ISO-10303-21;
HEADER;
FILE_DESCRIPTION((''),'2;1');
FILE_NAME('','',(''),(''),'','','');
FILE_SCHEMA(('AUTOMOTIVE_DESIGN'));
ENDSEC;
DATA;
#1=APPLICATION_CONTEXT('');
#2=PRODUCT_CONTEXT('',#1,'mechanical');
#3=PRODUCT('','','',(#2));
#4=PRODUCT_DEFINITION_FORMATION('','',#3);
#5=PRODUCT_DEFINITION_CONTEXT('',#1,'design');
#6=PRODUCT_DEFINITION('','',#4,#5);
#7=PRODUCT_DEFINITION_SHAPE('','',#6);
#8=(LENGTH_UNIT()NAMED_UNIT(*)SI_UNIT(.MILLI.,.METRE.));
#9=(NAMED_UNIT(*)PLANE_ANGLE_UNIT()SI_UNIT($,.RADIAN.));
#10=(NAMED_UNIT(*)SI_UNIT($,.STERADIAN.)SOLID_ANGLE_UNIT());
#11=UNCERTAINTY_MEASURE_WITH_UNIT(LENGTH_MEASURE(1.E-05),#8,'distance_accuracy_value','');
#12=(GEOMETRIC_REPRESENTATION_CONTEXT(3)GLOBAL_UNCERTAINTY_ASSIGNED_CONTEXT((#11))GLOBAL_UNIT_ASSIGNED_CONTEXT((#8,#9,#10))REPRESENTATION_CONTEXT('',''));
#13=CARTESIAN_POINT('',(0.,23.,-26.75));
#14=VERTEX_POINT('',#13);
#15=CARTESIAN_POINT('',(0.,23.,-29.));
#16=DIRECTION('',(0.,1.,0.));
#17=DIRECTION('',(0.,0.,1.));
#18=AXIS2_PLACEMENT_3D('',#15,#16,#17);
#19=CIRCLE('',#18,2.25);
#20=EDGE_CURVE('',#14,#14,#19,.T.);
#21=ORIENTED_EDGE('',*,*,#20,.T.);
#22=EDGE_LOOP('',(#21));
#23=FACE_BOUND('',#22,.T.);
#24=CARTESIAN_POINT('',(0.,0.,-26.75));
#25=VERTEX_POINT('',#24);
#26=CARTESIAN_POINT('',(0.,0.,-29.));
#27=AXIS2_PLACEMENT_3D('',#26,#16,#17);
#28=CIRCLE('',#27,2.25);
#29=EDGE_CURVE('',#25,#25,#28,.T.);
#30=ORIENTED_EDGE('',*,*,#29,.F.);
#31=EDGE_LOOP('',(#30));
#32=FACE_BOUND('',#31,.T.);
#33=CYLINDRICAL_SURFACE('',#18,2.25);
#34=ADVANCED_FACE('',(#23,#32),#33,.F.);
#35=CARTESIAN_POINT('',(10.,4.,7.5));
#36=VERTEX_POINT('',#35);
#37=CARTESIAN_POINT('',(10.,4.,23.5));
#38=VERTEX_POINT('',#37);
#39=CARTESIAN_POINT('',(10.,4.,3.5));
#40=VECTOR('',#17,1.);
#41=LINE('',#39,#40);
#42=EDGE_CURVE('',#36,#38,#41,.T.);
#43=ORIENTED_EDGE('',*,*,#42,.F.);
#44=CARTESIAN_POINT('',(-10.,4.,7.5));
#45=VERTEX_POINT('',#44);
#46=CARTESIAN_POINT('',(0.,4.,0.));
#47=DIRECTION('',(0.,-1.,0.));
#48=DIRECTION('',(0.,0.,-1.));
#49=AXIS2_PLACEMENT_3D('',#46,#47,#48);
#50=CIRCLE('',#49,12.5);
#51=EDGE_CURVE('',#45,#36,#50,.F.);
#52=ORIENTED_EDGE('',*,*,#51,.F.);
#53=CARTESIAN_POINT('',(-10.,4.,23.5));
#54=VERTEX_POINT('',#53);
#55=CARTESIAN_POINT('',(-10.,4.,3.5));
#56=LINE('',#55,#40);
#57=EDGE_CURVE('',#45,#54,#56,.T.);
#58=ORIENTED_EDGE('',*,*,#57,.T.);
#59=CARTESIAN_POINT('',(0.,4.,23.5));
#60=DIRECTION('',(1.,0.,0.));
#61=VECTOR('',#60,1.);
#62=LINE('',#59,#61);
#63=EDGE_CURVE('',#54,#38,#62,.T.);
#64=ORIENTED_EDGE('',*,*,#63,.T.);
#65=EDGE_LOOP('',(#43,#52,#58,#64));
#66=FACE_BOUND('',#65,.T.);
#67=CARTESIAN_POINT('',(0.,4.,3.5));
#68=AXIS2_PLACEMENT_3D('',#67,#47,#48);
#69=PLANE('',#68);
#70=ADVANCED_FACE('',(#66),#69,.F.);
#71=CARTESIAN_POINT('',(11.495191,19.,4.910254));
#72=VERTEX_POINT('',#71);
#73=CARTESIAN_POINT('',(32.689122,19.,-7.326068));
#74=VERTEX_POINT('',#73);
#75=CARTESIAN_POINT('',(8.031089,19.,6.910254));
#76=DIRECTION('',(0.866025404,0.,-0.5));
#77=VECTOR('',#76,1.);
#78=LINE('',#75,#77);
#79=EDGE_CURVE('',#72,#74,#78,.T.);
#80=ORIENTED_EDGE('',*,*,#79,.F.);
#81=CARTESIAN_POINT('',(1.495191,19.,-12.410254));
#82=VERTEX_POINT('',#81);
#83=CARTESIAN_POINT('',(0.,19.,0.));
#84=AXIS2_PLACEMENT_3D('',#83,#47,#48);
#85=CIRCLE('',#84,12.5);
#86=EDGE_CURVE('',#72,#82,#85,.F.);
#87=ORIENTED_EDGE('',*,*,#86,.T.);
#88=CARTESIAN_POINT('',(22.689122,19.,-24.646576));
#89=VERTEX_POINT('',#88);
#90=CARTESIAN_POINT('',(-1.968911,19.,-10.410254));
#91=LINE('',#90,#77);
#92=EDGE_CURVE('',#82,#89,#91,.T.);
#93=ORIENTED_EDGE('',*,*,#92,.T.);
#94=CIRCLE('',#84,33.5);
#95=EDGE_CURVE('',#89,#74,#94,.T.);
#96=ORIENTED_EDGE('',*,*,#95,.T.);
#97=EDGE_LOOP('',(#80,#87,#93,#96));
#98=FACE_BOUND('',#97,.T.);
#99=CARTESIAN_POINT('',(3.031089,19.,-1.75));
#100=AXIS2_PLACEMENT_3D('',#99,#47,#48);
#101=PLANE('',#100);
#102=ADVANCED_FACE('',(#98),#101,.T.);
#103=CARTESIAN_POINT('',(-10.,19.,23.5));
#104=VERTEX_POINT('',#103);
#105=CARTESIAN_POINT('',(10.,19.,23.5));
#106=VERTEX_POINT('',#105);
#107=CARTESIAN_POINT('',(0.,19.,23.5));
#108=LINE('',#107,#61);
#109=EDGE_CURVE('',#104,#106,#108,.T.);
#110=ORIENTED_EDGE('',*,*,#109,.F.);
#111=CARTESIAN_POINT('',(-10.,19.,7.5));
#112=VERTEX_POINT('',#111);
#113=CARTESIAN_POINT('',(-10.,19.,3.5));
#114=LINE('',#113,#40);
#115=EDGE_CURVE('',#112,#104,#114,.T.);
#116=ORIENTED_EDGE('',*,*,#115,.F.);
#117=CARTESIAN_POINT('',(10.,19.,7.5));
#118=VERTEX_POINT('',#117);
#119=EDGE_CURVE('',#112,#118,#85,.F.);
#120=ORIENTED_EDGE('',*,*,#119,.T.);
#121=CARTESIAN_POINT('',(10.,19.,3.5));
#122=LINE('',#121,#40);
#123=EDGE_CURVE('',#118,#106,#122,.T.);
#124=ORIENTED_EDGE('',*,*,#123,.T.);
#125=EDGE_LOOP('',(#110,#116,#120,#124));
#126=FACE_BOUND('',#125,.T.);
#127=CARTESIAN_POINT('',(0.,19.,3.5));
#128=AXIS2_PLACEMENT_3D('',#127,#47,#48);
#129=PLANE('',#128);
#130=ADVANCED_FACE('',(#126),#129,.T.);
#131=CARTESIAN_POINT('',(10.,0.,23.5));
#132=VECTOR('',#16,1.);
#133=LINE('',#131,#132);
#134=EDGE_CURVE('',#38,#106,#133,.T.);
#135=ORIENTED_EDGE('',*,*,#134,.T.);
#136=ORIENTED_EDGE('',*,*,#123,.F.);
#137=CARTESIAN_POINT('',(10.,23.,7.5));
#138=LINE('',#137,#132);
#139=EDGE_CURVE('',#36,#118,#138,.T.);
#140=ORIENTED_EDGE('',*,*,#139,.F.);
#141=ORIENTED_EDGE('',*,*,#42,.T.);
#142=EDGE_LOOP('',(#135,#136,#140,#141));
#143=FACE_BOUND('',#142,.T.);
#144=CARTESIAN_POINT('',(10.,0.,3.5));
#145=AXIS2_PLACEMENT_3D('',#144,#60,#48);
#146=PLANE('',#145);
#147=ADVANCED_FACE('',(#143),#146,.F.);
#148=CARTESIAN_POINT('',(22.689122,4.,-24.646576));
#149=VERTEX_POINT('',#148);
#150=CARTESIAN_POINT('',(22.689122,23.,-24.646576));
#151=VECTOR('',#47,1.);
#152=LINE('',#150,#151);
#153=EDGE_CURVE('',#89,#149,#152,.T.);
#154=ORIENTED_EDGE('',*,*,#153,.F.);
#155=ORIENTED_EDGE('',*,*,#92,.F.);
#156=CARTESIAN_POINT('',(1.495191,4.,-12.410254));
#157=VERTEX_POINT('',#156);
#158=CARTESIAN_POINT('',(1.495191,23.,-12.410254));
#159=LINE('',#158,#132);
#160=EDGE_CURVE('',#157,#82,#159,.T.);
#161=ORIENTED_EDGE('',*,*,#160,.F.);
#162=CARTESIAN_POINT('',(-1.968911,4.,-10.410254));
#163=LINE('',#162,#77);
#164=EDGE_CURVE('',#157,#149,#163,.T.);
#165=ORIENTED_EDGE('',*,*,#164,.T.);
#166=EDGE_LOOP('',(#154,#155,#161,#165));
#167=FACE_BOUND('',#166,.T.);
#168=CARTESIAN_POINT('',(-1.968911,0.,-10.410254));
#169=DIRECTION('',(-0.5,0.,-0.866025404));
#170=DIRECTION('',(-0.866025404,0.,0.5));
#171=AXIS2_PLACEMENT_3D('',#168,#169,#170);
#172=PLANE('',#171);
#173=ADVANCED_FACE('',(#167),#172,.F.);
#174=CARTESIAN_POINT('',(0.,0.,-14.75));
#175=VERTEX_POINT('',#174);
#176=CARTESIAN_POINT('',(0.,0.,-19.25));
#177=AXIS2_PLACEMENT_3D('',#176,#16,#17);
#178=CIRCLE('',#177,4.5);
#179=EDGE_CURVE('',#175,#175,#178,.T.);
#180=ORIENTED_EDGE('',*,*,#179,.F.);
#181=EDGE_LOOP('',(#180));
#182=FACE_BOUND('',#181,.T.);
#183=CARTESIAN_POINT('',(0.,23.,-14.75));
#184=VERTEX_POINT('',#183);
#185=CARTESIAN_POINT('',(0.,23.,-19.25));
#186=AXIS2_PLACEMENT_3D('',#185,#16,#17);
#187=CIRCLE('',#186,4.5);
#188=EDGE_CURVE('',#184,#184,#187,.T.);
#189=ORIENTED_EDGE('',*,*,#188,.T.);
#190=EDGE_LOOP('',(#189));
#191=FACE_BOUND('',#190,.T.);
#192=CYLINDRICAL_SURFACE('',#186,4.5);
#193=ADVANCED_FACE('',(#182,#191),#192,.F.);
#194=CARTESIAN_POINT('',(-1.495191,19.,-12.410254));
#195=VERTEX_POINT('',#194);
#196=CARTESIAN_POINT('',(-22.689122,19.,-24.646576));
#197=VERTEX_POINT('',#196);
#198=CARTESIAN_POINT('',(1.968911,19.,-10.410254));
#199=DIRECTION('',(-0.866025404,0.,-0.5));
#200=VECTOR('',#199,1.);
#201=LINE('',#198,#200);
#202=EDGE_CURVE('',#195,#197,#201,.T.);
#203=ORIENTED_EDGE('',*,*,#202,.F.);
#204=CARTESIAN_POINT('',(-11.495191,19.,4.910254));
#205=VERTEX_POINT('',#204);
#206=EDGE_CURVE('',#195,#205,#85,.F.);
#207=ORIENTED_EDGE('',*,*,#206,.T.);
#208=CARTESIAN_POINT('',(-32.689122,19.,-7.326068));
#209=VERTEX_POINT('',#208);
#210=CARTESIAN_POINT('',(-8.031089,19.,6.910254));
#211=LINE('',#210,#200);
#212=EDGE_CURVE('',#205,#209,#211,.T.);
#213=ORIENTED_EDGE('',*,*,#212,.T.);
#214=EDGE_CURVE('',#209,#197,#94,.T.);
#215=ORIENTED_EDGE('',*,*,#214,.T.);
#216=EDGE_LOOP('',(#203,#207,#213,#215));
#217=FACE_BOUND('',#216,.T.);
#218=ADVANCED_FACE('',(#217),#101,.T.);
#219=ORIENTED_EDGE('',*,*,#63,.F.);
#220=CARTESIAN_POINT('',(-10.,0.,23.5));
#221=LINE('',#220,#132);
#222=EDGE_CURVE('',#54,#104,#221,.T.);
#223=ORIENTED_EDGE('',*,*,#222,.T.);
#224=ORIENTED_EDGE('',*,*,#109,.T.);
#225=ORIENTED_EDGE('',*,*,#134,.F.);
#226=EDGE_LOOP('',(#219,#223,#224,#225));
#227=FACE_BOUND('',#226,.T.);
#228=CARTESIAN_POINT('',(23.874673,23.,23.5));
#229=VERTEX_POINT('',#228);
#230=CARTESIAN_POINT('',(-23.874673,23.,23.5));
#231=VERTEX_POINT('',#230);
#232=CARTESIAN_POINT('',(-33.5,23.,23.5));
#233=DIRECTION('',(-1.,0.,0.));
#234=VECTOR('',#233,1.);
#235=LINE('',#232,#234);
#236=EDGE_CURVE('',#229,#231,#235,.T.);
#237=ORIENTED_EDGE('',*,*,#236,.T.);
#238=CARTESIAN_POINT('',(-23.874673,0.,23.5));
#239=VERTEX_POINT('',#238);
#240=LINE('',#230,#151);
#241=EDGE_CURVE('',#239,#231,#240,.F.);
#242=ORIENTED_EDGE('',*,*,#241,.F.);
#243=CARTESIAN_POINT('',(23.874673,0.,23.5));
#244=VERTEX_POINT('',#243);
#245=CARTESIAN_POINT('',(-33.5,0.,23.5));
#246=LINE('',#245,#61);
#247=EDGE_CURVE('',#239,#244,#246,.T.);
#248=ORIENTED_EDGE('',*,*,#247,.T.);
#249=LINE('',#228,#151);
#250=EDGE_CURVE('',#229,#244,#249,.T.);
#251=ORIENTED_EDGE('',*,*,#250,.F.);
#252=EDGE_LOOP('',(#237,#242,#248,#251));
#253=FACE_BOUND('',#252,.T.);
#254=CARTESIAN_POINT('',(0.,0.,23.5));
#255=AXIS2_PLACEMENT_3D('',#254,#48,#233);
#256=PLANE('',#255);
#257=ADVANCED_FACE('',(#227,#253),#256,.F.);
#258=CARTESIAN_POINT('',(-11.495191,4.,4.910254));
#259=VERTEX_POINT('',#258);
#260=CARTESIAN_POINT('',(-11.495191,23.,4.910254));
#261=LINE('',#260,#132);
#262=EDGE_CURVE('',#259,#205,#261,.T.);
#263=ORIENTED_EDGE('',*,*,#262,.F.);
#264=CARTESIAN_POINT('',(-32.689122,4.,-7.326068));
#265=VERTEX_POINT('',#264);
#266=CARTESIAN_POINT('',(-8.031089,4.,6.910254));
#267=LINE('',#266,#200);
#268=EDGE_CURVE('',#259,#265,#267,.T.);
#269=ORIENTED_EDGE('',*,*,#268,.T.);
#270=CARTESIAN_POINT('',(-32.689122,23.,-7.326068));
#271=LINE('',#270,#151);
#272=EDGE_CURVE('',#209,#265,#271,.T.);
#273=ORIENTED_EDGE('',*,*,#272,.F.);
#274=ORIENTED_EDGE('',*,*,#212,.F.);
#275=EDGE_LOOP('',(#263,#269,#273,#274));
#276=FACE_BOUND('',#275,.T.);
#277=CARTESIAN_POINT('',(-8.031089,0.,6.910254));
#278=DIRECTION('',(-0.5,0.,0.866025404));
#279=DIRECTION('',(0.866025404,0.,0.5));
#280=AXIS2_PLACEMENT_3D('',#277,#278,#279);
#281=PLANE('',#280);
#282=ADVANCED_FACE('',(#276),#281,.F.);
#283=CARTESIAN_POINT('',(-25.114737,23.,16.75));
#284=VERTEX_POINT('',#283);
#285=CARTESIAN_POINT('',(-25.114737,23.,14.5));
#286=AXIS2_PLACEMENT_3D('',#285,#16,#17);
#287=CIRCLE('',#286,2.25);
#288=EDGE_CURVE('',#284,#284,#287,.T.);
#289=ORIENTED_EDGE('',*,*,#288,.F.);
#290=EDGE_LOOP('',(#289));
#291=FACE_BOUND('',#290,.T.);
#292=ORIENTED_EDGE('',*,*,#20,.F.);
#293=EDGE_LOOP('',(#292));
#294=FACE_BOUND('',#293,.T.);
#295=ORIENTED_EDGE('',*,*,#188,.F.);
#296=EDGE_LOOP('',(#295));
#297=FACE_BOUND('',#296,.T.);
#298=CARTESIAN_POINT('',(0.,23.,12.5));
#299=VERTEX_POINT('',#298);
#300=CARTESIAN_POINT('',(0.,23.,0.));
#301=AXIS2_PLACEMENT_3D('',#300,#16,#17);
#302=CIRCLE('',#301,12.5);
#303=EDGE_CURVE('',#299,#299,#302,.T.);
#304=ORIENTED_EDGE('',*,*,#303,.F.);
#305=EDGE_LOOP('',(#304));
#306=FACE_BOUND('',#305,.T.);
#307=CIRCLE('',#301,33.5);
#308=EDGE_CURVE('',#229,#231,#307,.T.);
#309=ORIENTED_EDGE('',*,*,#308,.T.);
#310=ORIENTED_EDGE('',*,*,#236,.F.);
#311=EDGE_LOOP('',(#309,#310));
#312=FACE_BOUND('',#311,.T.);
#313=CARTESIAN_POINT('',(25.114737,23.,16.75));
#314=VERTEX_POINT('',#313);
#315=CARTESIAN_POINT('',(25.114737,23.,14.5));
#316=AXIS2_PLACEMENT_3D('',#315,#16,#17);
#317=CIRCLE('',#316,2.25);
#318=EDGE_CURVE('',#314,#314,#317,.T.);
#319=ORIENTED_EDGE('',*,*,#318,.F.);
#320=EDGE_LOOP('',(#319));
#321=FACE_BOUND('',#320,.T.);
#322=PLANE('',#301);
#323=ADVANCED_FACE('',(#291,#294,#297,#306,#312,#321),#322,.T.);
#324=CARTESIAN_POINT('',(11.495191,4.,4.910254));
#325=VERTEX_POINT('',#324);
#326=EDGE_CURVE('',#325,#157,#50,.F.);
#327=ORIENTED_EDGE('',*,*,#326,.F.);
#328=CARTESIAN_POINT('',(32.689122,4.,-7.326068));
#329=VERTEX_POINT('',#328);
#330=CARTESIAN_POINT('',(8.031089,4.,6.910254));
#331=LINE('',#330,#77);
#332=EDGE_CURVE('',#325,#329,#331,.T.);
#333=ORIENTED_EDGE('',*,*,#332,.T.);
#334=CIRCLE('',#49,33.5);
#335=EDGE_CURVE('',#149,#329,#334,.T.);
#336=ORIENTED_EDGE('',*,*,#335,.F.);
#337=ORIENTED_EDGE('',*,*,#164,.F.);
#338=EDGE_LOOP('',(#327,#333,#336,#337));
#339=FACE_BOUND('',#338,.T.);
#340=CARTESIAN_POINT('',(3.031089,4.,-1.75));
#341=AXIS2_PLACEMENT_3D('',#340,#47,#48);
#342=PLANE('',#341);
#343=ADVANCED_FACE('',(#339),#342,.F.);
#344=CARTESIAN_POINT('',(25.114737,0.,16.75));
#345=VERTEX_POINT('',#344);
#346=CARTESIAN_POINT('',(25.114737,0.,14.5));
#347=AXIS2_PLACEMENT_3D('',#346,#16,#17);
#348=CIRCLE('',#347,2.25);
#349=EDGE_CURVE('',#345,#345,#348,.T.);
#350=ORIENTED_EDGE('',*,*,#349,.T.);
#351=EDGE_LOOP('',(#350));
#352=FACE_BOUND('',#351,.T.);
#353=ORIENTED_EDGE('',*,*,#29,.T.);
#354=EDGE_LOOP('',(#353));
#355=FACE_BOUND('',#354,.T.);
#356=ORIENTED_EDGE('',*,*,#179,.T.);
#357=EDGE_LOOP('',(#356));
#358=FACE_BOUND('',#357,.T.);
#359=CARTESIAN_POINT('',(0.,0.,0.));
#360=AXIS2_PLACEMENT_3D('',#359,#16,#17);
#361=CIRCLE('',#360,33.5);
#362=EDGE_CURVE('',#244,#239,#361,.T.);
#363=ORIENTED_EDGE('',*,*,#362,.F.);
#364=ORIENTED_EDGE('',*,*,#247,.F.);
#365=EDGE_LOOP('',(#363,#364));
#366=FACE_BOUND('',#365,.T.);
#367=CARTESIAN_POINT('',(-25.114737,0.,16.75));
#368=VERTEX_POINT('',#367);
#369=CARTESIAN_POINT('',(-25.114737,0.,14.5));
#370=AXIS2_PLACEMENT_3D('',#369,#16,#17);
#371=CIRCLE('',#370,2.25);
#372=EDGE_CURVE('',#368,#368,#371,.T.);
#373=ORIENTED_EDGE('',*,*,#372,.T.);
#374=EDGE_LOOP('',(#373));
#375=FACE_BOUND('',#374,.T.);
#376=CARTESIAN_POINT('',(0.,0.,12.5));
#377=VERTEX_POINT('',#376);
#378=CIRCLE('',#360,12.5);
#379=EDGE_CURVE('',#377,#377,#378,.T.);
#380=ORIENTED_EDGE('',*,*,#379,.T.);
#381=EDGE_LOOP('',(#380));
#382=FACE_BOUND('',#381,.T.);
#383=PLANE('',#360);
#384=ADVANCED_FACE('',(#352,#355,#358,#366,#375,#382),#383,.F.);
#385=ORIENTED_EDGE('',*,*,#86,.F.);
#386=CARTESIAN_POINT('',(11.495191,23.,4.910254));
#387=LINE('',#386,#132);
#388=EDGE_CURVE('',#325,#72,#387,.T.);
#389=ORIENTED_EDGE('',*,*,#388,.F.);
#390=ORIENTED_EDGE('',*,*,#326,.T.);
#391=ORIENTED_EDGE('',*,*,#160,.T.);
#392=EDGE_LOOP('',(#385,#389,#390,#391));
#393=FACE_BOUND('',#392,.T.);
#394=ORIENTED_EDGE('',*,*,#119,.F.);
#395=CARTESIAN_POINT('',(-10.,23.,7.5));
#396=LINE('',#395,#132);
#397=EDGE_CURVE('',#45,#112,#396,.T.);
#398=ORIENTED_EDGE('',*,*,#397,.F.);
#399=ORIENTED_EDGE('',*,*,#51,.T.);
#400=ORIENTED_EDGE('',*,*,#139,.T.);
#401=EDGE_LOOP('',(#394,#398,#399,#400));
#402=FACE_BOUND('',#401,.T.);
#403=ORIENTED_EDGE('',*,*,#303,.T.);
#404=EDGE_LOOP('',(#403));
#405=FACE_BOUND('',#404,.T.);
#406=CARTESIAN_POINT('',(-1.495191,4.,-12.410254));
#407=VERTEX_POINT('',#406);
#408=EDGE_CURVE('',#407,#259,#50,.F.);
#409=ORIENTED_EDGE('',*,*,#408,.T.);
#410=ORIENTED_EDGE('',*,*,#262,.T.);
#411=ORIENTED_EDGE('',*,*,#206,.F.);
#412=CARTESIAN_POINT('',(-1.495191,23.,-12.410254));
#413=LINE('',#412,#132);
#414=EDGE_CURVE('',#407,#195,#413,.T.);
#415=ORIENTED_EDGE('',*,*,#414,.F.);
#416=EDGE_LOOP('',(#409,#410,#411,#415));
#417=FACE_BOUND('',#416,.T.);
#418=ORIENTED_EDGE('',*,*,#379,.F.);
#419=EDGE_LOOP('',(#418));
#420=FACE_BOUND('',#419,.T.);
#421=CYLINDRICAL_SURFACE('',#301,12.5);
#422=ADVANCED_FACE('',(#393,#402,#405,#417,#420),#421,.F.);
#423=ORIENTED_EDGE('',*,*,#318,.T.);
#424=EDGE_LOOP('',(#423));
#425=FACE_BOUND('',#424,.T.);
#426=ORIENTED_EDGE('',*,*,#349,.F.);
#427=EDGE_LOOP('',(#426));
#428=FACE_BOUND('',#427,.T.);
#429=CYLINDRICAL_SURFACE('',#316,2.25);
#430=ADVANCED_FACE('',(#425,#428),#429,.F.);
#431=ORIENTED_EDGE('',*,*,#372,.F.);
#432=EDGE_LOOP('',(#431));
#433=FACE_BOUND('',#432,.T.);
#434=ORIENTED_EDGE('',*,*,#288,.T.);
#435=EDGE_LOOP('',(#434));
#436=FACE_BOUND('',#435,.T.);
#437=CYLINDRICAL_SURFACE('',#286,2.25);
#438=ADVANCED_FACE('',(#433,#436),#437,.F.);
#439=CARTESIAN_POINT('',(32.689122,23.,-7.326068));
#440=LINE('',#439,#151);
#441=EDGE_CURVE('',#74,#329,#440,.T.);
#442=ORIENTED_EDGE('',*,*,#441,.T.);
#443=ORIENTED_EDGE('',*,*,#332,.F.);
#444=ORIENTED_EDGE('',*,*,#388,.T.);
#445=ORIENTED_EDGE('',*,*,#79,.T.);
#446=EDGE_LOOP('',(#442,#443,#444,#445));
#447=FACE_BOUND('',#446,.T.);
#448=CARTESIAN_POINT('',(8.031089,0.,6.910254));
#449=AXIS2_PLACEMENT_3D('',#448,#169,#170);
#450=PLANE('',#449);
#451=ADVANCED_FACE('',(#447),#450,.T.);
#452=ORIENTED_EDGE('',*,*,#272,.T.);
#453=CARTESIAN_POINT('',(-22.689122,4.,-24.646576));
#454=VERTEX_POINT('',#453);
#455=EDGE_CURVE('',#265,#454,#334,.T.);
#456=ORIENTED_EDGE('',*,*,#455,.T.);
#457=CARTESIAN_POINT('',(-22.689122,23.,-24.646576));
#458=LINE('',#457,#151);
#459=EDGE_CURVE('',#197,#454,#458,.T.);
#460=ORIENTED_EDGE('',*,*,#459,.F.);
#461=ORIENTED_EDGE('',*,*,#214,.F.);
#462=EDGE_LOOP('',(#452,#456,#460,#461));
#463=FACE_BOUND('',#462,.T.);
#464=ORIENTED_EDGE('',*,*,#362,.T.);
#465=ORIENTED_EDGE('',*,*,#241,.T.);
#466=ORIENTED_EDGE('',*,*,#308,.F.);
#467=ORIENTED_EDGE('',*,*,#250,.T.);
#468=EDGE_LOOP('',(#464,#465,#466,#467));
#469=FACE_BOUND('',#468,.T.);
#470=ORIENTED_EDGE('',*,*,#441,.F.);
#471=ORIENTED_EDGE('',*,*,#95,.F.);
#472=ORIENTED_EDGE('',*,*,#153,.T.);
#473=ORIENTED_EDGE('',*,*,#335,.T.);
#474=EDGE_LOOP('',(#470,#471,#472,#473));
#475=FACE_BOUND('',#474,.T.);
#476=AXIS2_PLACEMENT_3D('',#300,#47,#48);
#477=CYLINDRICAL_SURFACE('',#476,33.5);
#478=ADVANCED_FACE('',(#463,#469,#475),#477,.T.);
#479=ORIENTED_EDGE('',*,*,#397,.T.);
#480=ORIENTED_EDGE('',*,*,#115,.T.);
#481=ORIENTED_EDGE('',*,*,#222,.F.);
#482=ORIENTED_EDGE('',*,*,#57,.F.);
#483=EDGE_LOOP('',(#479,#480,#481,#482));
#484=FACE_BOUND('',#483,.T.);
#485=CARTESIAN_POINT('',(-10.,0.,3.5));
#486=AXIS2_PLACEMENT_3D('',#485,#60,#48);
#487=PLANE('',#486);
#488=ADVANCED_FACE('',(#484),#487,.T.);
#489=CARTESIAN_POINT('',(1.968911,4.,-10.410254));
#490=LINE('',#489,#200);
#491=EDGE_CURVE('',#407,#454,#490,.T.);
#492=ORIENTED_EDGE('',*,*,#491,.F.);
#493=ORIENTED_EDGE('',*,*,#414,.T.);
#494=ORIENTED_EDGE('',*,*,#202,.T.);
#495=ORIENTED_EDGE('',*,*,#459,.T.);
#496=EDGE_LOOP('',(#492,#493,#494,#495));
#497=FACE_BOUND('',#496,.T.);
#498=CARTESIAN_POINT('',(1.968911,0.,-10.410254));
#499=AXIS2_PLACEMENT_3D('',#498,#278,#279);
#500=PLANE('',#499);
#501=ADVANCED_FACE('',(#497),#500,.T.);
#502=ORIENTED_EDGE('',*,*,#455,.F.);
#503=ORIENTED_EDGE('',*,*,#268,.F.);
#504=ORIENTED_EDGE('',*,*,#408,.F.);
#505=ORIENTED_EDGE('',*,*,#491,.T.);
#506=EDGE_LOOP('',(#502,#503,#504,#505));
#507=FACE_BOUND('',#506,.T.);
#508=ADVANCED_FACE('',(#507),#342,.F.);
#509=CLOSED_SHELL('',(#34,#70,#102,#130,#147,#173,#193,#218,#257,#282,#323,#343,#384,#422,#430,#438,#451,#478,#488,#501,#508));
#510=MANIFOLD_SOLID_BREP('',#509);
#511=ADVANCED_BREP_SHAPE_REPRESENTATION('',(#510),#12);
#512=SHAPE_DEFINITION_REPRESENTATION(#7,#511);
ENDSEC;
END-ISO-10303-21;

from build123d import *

# Parameters (mm, degrees)
SKETCH_1_R               = 33.5
EXTRUDE_1_DEPTH          = 23
HOLE_WIZARD_1_D          = 4.5
HOLE_WIZARD_2_D          = 9
HOLE_WIZARD_3_D          = 25
SKETCH_9_W               = 10
SKETCH_9_H               = 15
CUT_EXTRUDE_1_DEPTH      = 30
PATTERN_CIRCULAR_1_COUNT = 3
SKETCH_10_W              = 67
SKETCH_10_H              = 23
CUT_EXTRUDE_2_DEPTH      = 10


with BuildPart() as part:
    # 草图1 → 凸台-拉伸1 (new body)
    with BuildSketch(Plane(origin=(0, 0, 0), x_dir=(1, 0, 0), z_dir=(0, 1, 0))):
        with Locations(Location((0, 0, 0), (0, 0, 270))):
            Circle(SKETCH_1_R)
    extrude(amount=EXTRUDE_1_DEPTH)

    # 孔1 (through all)
    with Locations(Plane(origin=(0, 23, 0), x_dir=(1, 0, 0), z_dir=(0, 1, 0))):
        with Locations((0, 29), (-25.11473671, -14.5), (25.11473671, -14.5)):
            Hole(HOLE_WIZARD_1_D / 2)

    # 孔2 (through all)
    with Locations(Plane(origin=(0, 23, 0), x_dir=(1, 0, 0), z_dir=(0, 1, 0))):
        with Locations((0, 19.25)):
            Hole(HOLE_WIZARD_2_D / 2)

    # 孔3 (through all)
    with Locations(Plane(origin=(0, 23, 0), x_dir=(1, 0, 0), z_dir=(0, 1, 0))):
        with Locations((0, 0)):
            Hole(HOLE_WIZARD_3_D / 2)

    # 草图9 → 切除-拉伸1 (cut)
    with BuildSketch(Plane.XY.offset(33.5)):
        with Locations((5, 11.5)):
            Rectangle(SKETCH_9_W, SKETCH_9_H)
        with Locations((-5, 11.5)):
            Rectangle(SKETCH_9_W, SKETCH_9_H)
    cut_extrude_1 = extrude(amount=-CUT_EXTRUDE_1_DEPTH, mode=Mode.SUBTRACT)

    # 阵列(圆周)1: 切除-拉伸1 ×3 about axis
    pattern_circular_1_axis = Axis((0, 0, 0), (0, 1, 0))
    for i in range(1, PATTERN_CIRCULAR_1_COUNT):
        add(cut_extrude_1.rotate(pattern_circular_1_axis, i * 360 / PATTERN_CIRCULAR_1_COUNT), mode=Mode.SUBTRACT)

    # 草图10 → 切除-拉伸2 (cut)
    with BuildSketch(Plane.XY.offset(33.5)):
        with Locations((0, 11.5)):
            Rectangle(SKETCH_10_W, SKETCH_10_H)
    extrude(amount=-CUT_EXTRUDE_2_DEPTH, mode=Mode.SUBTRACT)


solid = part.part
